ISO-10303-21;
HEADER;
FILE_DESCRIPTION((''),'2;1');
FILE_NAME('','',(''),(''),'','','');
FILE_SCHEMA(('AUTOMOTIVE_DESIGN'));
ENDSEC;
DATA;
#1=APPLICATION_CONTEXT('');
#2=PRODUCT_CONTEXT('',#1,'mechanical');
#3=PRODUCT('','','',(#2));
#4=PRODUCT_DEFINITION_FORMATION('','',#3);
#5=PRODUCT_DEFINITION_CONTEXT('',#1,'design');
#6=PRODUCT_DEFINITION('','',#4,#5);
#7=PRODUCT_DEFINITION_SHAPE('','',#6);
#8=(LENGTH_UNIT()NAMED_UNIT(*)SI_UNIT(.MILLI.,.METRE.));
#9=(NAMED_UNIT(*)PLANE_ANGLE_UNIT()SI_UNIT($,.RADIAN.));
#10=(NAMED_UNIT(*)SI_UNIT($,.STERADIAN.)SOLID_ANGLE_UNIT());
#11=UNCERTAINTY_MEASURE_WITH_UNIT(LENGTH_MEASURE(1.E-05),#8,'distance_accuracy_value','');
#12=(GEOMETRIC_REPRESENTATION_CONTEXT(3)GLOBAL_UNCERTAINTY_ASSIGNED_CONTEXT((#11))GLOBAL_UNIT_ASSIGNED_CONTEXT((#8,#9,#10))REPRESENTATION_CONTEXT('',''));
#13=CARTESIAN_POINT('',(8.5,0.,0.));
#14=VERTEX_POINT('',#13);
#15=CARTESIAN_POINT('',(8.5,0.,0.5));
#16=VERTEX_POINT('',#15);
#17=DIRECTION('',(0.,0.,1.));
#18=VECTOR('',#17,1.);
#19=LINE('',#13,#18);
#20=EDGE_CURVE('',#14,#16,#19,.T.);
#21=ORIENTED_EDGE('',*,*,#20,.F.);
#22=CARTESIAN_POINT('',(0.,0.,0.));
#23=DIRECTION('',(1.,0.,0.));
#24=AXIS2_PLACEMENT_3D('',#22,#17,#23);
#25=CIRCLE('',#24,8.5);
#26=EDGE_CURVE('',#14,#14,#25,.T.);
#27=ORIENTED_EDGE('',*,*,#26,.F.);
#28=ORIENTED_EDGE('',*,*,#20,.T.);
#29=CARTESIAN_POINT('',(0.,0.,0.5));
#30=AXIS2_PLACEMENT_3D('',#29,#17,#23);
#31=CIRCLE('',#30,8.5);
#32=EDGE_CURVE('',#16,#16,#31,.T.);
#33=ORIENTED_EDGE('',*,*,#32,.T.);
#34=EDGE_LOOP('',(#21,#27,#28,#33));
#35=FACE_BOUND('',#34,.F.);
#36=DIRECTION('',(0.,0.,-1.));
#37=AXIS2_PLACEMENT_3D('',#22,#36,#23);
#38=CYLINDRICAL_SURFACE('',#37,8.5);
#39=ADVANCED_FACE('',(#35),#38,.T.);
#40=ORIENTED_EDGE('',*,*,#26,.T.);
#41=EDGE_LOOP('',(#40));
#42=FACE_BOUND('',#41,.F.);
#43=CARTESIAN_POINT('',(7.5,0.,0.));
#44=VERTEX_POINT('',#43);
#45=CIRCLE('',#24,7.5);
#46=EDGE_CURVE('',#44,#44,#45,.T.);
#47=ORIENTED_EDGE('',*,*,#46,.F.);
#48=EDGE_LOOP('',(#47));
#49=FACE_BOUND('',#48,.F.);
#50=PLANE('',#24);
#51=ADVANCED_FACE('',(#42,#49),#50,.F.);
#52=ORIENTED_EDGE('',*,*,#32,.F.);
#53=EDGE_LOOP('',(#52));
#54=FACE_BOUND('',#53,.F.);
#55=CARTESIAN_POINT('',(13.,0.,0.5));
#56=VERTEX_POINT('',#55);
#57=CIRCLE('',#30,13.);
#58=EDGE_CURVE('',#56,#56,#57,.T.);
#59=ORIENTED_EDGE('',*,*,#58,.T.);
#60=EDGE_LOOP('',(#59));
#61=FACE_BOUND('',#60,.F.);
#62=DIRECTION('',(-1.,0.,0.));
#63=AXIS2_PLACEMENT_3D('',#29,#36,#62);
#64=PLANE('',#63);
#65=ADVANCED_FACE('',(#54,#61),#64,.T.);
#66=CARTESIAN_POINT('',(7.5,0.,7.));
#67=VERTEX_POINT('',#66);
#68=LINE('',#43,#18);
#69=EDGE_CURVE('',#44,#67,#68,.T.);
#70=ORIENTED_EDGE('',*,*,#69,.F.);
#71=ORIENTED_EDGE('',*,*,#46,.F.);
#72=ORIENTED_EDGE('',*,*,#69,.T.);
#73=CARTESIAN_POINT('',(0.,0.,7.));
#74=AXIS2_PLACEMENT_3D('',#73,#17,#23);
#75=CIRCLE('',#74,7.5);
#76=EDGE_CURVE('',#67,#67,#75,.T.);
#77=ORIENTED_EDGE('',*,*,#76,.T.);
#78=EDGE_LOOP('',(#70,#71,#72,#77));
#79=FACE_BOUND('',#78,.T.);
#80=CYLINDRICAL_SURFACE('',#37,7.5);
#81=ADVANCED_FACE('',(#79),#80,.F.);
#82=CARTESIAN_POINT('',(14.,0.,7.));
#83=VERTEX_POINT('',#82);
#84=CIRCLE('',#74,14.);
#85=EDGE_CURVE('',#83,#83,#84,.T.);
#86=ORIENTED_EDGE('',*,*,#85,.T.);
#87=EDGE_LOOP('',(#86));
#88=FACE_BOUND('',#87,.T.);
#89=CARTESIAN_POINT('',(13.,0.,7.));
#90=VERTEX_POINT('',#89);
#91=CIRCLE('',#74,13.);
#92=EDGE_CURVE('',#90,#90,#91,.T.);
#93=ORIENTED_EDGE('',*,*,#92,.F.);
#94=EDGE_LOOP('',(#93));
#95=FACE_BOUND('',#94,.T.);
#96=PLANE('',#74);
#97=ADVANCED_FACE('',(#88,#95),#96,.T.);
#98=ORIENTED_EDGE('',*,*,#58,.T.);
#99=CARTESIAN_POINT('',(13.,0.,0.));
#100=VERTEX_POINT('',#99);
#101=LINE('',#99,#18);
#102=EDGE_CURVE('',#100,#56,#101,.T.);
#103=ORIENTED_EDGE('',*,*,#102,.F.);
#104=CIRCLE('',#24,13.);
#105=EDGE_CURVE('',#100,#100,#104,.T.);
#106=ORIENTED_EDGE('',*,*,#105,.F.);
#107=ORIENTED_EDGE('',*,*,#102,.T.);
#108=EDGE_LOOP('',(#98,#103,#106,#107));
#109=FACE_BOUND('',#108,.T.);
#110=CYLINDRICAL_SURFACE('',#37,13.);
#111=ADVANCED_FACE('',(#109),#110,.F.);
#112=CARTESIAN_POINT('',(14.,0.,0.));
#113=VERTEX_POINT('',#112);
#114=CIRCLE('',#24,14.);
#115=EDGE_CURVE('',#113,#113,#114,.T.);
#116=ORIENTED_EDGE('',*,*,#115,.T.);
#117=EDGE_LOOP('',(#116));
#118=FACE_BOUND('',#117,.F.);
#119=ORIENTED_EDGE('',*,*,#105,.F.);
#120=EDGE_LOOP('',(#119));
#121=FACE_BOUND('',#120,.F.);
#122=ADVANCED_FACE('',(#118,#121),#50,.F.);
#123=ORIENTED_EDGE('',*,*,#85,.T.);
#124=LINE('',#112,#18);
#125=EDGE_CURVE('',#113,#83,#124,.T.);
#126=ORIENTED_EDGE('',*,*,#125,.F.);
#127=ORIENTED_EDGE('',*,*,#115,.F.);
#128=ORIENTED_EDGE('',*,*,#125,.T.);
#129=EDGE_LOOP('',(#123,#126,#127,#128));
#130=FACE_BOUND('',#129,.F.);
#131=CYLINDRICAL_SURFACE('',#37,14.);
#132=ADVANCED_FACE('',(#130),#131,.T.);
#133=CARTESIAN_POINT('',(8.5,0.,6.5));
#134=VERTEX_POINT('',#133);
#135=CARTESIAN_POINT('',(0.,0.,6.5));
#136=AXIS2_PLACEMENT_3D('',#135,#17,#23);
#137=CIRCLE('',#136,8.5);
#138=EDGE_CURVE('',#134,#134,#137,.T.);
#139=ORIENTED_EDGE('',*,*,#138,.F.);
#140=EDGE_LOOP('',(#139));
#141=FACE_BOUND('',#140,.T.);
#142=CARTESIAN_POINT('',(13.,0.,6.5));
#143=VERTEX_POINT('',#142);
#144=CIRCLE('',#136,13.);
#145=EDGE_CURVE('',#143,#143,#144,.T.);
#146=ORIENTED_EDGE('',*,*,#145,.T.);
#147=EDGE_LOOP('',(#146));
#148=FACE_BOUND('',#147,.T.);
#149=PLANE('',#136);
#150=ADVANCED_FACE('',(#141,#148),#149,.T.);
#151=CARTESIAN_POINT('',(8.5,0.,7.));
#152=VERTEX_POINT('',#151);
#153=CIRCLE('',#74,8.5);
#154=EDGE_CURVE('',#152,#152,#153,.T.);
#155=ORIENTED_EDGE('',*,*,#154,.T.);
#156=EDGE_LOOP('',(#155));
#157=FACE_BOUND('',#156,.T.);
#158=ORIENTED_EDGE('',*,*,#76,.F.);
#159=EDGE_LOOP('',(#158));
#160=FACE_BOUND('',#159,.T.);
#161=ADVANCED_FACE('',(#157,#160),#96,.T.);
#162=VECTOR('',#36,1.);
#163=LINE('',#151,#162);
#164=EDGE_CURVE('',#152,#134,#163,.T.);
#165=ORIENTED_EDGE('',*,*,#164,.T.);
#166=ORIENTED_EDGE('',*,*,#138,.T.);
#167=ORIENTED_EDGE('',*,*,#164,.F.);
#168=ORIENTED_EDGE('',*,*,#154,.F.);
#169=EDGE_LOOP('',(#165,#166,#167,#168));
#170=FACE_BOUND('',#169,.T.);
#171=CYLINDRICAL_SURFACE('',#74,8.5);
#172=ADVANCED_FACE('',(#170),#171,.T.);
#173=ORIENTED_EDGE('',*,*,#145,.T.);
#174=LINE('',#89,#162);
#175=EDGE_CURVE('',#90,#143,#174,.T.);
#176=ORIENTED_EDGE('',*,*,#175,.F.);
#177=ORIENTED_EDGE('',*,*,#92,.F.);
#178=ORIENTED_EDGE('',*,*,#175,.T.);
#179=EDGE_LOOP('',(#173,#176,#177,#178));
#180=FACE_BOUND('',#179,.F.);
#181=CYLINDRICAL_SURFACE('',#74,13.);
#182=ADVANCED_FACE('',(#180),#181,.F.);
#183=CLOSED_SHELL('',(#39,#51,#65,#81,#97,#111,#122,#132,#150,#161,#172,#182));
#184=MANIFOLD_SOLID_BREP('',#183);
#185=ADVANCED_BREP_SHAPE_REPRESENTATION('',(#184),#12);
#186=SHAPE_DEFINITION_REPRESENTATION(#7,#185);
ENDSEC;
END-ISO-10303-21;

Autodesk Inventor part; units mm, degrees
ref_plane "YZ Plane" through (0, 0, 0) normal (1, 0, 0) x (0, 1, 0)
ref_plane "XZ Plane" through (0, 0, 0) normal (0, 1, 0) x (-1, 0, 0)
sketch "Sketch1" plane through (0, 0, 0) normal (0, 0, 1) x (1, 0, 0)
  circle A0 centre (0, 0) radius 7.5
  circle A1 centre (0, 0) radius 14
  dimension "d0" = 15
  dimension "d1" = 28
extrude "Extrusion1" add sketch "Sketch1" along normal blind 7
sketch "Sketch2" plane through (0, 0, 7) normal (0, 0, 1) x (1, 0, 0)
  circle A0 centre (0, 0) radius 14 projected
  circle A1 centre (0, 0) radius 7.5 projected
  circle A2 centre (0, 0) radius 8.5
  circle A3 centre (0, 0) radius 13
  dimension "d4" = 1
  dimension "d5" = 1
extrude "Extrusion2" cut sketch "Sketch2" against normal blind 0.5 contours A3
ref_plane "Work Plane1" through (0, 0, 3.5) normal (0, 0, 1) x (1, 0, 0)
mirror "Mirror1" about plane through (0, 0, 3.5) normal (0, 0, 1) of "Extrusion2"
properties part number "6901 Bearing"
